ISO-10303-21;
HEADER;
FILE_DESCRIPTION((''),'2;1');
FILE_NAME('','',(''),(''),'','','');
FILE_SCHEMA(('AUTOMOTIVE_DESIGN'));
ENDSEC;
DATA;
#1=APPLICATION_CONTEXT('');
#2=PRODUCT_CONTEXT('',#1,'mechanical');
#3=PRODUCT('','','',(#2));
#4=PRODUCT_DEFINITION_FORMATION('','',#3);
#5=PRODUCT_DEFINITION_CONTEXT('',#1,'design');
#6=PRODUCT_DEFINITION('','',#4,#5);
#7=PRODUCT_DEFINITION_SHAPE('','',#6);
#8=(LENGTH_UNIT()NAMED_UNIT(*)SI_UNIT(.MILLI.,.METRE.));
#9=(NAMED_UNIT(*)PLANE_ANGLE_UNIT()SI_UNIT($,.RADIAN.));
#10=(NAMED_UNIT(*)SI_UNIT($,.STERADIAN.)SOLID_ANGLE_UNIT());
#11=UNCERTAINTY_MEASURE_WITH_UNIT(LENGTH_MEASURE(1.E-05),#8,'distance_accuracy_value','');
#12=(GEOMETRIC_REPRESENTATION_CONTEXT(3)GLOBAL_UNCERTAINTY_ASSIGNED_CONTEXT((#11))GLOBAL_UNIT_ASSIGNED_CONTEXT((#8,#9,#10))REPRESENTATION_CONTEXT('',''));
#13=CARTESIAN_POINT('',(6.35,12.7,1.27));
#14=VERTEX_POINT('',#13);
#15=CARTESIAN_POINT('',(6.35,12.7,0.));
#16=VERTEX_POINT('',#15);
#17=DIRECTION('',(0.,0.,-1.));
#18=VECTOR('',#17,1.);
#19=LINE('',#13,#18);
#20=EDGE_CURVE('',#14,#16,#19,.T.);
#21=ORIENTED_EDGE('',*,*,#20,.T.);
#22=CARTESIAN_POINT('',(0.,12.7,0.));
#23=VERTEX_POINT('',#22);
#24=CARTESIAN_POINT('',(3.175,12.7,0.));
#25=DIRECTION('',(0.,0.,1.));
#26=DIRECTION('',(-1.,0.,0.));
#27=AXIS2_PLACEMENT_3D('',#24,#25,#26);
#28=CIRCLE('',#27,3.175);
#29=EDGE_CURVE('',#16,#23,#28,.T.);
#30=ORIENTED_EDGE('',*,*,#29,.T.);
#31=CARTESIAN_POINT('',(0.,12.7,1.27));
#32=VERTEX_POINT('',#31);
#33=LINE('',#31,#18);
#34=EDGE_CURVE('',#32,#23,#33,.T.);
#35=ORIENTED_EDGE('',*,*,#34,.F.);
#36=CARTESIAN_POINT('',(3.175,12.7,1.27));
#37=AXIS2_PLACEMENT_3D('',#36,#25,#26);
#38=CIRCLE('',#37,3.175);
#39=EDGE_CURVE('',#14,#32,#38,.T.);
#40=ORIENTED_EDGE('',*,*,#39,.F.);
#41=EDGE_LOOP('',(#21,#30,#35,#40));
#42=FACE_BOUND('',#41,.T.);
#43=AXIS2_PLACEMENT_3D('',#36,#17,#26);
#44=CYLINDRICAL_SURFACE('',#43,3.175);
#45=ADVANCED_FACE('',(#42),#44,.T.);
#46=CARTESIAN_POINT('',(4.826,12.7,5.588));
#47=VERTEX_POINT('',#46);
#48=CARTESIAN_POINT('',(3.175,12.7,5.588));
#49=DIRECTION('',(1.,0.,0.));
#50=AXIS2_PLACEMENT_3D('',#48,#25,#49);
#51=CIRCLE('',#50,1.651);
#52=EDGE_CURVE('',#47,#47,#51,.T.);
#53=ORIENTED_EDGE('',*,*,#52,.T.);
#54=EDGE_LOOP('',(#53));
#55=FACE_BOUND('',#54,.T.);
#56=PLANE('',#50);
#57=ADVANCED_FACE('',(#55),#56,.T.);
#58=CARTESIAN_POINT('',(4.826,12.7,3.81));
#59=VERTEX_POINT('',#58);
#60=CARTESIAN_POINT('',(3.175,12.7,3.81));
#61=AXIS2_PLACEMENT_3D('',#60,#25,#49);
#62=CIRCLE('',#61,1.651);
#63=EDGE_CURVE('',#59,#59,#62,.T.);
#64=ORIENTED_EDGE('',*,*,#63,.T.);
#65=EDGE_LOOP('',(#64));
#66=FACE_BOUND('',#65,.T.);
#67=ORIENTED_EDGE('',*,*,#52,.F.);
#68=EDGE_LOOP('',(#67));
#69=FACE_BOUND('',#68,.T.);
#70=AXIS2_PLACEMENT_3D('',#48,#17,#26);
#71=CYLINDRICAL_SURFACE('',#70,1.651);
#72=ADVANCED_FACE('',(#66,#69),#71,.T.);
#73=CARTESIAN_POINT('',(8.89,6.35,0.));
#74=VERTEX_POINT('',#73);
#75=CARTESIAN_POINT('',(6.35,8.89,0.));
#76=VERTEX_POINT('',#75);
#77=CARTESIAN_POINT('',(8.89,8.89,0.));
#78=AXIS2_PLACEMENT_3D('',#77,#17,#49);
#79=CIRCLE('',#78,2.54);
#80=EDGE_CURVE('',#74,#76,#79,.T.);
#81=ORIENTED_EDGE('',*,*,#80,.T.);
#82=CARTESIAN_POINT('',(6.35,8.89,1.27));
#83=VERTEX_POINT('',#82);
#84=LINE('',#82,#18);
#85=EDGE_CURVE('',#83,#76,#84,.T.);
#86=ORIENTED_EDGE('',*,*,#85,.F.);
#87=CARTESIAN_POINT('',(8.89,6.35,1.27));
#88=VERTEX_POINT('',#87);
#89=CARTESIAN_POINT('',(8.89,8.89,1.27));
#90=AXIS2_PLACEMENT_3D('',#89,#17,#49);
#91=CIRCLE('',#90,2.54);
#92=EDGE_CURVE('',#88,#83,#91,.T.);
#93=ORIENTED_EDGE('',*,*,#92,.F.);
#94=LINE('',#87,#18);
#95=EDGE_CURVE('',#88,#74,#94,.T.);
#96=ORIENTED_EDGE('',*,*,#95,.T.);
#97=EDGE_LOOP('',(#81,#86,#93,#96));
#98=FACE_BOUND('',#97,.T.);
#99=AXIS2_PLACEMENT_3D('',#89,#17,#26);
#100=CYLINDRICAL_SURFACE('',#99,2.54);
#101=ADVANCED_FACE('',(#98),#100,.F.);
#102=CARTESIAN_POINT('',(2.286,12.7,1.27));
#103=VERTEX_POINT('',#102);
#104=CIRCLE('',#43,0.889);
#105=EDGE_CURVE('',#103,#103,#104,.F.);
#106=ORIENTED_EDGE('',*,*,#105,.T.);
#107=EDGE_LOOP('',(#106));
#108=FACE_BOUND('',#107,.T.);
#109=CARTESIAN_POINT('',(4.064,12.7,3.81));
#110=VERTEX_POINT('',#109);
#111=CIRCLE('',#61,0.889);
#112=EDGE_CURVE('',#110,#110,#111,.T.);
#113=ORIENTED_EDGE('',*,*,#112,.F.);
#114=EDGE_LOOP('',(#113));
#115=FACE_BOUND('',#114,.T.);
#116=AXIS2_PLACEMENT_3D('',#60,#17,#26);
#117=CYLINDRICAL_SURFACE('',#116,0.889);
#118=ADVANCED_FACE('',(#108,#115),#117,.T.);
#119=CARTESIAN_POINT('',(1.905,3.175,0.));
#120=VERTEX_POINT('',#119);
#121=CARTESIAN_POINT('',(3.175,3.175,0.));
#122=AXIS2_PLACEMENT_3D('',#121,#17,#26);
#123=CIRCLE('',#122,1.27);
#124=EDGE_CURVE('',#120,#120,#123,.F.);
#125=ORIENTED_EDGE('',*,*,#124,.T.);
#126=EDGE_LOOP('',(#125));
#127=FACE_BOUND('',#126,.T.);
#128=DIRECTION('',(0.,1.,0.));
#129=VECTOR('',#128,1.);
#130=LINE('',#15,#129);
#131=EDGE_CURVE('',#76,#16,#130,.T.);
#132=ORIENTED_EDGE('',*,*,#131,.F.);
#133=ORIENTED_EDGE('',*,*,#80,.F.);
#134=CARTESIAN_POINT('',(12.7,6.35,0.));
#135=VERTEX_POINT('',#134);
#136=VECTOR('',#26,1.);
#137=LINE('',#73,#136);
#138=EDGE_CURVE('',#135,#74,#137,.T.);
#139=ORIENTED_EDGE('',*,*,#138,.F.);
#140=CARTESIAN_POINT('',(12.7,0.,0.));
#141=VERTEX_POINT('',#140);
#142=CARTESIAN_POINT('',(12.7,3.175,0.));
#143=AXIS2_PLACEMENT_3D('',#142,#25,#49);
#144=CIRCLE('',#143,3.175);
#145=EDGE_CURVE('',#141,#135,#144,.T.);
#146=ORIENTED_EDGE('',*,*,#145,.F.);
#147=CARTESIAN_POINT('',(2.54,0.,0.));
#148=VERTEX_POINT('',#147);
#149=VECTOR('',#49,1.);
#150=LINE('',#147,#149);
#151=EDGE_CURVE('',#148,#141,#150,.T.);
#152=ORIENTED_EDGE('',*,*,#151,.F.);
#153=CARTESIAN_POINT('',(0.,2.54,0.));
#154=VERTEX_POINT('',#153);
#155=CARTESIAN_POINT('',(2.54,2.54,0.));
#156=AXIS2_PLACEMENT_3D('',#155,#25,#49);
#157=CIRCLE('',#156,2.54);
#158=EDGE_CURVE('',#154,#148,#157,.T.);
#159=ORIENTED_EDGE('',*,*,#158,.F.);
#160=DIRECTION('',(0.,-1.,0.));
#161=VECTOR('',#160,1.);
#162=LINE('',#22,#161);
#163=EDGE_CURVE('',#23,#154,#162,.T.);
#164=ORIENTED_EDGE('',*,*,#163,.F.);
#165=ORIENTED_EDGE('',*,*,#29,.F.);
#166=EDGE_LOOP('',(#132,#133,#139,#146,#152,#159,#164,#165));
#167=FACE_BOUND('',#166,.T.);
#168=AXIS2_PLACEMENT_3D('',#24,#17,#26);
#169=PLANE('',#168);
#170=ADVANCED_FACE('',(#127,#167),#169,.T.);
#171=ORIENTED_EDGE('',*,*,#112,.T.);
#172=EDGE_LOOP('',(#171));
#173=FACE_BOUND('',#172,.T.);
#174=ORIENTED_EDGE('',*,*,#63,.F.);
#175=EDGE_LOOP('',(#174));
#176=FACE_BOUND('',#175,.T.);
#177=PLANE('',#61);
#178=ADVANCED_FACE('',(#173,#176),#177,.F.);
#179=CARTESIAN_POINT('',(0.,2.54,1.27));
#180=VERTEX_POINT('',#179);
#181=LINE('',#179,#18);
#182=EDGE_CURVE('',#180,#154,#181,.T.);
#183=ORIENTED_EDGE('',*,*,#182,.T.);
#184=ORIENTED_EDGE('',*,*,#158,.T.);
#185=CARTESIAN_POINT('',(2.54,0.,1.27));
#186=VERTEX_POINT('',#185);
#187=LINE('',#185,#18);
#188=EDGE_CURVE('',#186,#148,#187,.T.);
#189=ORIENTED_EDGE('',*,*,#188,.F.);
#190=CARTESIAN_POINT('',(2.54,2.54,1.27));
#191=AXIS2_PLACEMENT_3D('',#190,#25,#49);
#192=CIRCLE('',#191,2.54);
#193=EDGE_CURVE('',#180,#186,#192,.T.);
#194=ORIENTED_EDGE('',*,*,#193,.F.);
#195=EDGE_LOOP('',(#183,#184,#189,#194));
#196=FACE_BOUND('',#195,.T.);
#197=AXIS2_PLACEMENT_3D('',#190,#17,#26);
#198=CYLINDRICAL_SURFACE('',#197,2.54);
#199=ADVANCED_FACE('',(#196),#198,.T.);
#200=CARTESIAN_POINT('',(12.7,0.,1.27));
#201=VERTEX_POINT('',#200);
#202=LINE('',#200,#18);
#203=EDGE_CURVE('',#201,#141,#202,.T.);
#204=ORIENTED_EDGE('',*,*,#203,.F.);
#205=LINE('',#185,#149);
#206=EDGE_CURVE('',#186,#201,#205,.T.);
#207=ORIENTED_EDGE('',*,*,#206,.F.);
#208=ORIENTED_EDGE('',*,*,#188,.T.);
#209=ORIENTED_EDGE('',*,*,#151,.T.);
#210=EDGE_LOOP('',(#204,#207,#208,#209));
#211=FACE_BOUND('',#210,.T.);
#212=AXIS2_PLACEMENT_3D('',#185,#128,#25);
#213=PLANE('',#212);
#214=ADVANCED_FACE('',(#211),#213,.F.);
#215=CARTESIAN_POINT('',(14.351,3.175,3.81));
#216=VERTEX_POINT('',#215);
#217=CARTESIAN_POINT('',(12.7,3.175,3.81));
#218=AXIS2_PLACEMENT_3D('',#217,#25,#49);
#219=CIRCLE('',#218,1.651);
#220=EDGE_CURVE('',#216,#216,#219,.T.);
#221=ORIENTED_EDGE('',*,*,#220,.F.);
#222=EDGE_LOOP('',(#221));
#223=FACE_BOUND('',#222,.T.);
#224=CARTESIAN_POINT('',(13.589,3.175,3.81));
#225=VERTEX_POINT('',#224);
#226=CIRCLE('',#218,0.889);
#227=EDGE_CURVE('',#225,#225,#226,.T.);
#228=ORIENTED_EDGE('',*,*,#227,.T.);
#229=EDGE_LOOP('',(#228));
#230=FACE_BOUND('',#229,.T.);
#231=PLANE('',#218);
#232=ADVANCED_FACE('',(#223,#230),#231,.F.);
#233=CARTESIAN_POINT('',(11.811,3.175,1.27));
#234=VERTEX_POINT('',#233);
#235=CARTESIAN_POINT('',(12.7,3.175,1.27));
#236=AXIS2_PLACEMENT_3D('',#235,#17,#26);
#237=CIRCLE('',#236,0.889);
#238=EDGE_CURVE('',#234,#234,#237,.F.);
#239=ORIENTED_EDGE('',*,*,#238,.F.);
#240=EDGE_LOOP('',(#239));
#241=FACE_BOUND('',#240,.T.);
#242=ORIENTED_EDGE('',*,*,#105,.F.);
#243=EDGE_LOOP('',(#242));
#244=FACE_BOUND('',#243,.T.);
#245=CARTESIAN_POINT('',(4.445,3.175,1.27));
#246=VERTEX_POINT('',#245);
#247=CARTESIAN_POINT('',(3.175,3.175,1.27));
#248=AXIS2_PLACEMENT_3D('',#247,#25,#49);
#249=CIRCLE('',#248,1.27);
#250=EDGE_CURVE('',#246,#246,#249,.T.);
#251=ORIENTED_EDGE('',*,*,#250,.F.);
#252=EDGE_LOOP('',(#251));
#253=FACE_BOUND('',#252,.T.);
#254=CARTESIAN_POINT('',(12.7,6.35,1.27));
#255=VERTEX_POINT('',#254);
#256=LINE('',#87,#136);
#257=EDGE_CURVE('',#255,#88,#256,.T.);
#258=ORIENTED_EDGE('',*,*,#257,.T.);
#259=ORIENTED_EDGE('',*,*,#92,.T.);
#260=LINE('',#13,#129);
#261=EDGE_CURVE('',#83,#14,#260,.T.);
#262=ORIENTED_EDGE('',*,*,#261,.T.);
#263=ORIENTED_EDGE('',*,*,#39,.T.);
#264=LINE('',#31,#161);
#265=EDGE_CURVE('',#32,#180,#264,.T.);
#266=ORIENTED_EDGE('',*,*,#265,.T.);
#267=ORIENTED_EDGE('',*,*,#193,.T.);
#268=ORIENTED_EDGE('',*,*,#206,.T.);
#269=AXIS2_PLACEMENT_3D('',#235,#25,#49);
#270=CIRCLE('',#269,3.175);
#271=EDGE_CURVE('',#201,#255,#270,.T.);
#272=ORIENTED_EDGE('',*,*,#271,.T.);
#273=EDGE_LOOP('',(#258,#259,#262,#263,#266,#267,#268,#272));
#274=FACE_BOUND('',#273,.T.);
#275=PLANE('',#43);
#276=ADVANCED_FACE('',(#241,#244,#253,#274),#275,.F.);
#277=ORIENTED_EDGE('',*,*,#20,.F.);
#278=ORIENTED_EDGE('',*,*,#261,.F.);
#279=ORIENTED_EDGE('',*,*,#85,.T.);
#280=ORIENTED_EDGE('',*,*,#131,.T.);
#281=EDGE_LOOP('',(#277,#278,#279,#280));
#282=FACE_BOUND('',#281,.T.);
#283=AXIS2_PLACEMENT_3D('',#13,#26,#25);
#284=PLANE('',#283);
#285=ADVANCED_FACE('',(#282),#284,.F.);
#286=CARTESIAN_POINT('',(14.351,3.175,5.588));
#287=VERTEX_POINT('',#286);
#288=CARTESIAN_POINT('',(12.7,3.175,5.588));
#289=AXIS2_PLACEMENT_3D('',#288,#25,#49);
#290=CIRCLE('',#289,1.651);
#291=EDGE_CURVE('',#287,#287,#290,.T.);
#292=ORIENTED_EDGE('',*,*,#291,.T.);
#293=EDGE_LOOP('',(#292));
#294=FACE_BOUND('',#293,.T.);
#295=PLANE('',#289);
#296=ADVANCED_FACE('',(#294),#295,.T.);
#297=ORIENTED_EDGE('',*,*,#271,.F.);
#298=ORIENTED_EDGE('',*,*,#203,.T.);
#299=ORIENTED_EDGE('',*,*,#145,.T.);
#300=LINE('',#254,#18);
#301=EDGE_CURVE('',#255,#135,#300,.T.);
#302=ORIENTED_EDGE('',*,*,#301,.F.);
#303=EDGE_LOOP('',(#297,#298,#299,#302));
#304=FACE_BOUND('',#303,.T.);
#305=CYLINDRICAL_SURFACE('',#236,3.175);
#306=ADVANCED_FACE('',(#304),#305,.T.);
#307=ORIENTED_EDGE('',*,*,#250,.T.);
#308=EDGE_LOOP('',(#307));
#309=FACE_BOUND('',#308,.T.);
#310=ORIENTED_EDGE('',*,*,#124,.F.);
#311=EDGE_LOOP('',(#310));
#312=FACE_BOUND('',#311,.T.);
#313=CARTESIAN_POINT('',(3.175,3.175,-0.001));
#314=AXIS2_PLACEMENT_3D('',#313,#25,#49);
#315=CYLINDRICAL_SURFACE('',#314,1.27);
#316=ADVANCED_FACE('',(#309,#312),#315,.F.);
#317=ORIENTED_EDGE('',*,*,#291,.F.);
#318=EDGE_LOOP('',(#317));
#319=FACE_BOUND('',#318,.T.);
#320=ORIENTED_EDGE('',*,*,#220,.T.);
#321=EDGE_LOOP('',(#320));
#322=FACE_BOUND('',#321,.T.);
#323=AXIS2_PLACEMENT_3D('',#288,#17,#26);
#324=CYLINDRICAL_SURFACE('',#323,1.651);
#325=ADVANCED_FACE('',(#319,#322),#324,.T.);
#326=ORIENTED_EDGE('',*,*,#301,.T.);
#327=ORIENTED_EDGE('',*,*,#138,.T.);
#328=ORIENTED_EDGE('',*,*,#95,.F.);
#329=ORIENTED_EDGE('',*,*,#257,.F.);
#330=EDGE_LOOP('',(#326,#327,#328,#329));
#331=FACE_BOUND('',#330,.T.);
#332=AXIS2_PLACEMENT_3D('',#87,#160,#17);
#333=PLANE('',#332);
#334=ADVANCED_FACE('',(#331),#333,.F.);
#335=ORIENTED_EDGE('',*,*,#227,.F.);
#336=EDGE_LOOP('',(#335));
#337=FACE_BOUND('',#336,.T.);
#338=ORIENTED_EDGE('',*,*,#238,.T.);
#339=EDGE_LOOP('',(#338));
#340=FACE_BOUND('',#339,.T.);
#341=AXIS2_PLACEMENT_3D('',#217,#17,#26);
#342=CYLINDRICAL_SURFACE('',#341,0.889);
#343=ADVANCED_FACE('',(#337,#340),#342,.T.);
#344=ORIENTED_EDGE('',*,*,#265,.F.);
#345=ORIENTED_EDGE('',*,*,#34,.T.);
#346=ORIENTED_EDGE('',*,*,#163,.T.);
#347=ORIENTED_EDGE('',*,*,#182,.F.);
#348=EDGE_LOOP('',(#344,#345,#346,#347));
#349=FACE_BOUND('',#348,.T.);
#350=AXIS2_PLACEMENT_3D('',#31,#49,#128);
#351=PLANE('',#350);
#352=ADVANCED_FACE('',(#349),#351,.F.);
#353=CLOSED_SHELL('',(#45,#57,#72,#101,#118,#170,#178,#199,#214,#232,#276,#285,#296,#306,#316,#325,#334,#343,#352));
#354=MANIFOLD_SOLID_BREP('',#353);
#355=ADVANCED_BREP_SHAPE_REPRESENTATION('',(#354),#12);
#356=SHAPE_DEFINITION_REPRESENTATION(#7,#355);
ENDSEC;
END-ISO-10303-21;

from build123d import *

# Parameters (mm, degrees)
BODY_DEPTH                  = 1.27
SKETCH2_R                   = 0.889
NUBS_DEPTH                  = 2.54
SKETCH3_R                   = 1.651
DON_T_LET_IT_FALL_OFF_DEPTH = 1.778
ATTACH_TO_SIDE_REACH        = 24.862
SKETCH5_R                   = 1.27


with BuildPart() as part:
    # Sketch1 → body (new body)
    with BuildSketch(Plane.XY):
        with BuildLine():
            Line((0, 12.7), (0, 2.54))
            ThreePointArc((0, 2.54), (0.743948776, 0.743948776), (2.54, 0))
            Line((2.54, 0), (12.7, 0))
            ThreePointArc((12.7, 0), (15.875, 3.175), (12.7, 6.35))
            Line((12.7, 6.35), (8.89, 6.35))
            ThreePointArc((8.89, 6.35), (7.093948776, 7.093948776), (6.35, 8.89))
            Line((6.35, 8.89), (6.35, 12.7))
            ThreePointArc((6.35, 12.7), (3.175, 15.875), (0, 12.7))
        make_face()
    extrude(amount=BODY_DEPTH)

    # Sketch2 → nubs (add)
    with BuildSketch(Plane.XY.offset(1.27)):
        with Locations(Location((3.175, 12.7, 0), (0, 0, 180))):
            Circle(SKETCH2_R)
        with Locations(Location((12.7, 3.175, 0), (0, 0, 180))):
            Circle(SKETCH2_R)
    extrude(amount=NUBS_DEPTH)

    # Sketch3 → don't let it fall off (add)
    with BuildSketch(Plane.XY.offset(3.81)):
        with Locations((12.7, 3.175)):
            Circle(SKETCH3_R)
        with Locations((3.175, 12.7)):
            Circle(SKETCH3_R)
    extrude(amount=DON_T_LET_IT_FALL_OFF_DEPTH)

    # Sketch5 → attach to side (cut, up to next)
    with BuildSketch(Plane.XY.offset(1.27), mode=Mode.PRIVATE) as attach_to_side_sk1:
        with Locations((3.175, 3.175)):
            Circle(SKETCH5_R)
    attach_to_side_tool1 = extrude(attach_to_side_sk1.sketch, amount=-ATTACH_TO_SIDE_REACH, mode=Mode.PRIVATE) & part.part
    add(attach_to_side_tool1.solids().sort_by_distance((3.175, 3.175, 1.27))[0], mode=Mode.SUBTRACT)


solid = part.part
